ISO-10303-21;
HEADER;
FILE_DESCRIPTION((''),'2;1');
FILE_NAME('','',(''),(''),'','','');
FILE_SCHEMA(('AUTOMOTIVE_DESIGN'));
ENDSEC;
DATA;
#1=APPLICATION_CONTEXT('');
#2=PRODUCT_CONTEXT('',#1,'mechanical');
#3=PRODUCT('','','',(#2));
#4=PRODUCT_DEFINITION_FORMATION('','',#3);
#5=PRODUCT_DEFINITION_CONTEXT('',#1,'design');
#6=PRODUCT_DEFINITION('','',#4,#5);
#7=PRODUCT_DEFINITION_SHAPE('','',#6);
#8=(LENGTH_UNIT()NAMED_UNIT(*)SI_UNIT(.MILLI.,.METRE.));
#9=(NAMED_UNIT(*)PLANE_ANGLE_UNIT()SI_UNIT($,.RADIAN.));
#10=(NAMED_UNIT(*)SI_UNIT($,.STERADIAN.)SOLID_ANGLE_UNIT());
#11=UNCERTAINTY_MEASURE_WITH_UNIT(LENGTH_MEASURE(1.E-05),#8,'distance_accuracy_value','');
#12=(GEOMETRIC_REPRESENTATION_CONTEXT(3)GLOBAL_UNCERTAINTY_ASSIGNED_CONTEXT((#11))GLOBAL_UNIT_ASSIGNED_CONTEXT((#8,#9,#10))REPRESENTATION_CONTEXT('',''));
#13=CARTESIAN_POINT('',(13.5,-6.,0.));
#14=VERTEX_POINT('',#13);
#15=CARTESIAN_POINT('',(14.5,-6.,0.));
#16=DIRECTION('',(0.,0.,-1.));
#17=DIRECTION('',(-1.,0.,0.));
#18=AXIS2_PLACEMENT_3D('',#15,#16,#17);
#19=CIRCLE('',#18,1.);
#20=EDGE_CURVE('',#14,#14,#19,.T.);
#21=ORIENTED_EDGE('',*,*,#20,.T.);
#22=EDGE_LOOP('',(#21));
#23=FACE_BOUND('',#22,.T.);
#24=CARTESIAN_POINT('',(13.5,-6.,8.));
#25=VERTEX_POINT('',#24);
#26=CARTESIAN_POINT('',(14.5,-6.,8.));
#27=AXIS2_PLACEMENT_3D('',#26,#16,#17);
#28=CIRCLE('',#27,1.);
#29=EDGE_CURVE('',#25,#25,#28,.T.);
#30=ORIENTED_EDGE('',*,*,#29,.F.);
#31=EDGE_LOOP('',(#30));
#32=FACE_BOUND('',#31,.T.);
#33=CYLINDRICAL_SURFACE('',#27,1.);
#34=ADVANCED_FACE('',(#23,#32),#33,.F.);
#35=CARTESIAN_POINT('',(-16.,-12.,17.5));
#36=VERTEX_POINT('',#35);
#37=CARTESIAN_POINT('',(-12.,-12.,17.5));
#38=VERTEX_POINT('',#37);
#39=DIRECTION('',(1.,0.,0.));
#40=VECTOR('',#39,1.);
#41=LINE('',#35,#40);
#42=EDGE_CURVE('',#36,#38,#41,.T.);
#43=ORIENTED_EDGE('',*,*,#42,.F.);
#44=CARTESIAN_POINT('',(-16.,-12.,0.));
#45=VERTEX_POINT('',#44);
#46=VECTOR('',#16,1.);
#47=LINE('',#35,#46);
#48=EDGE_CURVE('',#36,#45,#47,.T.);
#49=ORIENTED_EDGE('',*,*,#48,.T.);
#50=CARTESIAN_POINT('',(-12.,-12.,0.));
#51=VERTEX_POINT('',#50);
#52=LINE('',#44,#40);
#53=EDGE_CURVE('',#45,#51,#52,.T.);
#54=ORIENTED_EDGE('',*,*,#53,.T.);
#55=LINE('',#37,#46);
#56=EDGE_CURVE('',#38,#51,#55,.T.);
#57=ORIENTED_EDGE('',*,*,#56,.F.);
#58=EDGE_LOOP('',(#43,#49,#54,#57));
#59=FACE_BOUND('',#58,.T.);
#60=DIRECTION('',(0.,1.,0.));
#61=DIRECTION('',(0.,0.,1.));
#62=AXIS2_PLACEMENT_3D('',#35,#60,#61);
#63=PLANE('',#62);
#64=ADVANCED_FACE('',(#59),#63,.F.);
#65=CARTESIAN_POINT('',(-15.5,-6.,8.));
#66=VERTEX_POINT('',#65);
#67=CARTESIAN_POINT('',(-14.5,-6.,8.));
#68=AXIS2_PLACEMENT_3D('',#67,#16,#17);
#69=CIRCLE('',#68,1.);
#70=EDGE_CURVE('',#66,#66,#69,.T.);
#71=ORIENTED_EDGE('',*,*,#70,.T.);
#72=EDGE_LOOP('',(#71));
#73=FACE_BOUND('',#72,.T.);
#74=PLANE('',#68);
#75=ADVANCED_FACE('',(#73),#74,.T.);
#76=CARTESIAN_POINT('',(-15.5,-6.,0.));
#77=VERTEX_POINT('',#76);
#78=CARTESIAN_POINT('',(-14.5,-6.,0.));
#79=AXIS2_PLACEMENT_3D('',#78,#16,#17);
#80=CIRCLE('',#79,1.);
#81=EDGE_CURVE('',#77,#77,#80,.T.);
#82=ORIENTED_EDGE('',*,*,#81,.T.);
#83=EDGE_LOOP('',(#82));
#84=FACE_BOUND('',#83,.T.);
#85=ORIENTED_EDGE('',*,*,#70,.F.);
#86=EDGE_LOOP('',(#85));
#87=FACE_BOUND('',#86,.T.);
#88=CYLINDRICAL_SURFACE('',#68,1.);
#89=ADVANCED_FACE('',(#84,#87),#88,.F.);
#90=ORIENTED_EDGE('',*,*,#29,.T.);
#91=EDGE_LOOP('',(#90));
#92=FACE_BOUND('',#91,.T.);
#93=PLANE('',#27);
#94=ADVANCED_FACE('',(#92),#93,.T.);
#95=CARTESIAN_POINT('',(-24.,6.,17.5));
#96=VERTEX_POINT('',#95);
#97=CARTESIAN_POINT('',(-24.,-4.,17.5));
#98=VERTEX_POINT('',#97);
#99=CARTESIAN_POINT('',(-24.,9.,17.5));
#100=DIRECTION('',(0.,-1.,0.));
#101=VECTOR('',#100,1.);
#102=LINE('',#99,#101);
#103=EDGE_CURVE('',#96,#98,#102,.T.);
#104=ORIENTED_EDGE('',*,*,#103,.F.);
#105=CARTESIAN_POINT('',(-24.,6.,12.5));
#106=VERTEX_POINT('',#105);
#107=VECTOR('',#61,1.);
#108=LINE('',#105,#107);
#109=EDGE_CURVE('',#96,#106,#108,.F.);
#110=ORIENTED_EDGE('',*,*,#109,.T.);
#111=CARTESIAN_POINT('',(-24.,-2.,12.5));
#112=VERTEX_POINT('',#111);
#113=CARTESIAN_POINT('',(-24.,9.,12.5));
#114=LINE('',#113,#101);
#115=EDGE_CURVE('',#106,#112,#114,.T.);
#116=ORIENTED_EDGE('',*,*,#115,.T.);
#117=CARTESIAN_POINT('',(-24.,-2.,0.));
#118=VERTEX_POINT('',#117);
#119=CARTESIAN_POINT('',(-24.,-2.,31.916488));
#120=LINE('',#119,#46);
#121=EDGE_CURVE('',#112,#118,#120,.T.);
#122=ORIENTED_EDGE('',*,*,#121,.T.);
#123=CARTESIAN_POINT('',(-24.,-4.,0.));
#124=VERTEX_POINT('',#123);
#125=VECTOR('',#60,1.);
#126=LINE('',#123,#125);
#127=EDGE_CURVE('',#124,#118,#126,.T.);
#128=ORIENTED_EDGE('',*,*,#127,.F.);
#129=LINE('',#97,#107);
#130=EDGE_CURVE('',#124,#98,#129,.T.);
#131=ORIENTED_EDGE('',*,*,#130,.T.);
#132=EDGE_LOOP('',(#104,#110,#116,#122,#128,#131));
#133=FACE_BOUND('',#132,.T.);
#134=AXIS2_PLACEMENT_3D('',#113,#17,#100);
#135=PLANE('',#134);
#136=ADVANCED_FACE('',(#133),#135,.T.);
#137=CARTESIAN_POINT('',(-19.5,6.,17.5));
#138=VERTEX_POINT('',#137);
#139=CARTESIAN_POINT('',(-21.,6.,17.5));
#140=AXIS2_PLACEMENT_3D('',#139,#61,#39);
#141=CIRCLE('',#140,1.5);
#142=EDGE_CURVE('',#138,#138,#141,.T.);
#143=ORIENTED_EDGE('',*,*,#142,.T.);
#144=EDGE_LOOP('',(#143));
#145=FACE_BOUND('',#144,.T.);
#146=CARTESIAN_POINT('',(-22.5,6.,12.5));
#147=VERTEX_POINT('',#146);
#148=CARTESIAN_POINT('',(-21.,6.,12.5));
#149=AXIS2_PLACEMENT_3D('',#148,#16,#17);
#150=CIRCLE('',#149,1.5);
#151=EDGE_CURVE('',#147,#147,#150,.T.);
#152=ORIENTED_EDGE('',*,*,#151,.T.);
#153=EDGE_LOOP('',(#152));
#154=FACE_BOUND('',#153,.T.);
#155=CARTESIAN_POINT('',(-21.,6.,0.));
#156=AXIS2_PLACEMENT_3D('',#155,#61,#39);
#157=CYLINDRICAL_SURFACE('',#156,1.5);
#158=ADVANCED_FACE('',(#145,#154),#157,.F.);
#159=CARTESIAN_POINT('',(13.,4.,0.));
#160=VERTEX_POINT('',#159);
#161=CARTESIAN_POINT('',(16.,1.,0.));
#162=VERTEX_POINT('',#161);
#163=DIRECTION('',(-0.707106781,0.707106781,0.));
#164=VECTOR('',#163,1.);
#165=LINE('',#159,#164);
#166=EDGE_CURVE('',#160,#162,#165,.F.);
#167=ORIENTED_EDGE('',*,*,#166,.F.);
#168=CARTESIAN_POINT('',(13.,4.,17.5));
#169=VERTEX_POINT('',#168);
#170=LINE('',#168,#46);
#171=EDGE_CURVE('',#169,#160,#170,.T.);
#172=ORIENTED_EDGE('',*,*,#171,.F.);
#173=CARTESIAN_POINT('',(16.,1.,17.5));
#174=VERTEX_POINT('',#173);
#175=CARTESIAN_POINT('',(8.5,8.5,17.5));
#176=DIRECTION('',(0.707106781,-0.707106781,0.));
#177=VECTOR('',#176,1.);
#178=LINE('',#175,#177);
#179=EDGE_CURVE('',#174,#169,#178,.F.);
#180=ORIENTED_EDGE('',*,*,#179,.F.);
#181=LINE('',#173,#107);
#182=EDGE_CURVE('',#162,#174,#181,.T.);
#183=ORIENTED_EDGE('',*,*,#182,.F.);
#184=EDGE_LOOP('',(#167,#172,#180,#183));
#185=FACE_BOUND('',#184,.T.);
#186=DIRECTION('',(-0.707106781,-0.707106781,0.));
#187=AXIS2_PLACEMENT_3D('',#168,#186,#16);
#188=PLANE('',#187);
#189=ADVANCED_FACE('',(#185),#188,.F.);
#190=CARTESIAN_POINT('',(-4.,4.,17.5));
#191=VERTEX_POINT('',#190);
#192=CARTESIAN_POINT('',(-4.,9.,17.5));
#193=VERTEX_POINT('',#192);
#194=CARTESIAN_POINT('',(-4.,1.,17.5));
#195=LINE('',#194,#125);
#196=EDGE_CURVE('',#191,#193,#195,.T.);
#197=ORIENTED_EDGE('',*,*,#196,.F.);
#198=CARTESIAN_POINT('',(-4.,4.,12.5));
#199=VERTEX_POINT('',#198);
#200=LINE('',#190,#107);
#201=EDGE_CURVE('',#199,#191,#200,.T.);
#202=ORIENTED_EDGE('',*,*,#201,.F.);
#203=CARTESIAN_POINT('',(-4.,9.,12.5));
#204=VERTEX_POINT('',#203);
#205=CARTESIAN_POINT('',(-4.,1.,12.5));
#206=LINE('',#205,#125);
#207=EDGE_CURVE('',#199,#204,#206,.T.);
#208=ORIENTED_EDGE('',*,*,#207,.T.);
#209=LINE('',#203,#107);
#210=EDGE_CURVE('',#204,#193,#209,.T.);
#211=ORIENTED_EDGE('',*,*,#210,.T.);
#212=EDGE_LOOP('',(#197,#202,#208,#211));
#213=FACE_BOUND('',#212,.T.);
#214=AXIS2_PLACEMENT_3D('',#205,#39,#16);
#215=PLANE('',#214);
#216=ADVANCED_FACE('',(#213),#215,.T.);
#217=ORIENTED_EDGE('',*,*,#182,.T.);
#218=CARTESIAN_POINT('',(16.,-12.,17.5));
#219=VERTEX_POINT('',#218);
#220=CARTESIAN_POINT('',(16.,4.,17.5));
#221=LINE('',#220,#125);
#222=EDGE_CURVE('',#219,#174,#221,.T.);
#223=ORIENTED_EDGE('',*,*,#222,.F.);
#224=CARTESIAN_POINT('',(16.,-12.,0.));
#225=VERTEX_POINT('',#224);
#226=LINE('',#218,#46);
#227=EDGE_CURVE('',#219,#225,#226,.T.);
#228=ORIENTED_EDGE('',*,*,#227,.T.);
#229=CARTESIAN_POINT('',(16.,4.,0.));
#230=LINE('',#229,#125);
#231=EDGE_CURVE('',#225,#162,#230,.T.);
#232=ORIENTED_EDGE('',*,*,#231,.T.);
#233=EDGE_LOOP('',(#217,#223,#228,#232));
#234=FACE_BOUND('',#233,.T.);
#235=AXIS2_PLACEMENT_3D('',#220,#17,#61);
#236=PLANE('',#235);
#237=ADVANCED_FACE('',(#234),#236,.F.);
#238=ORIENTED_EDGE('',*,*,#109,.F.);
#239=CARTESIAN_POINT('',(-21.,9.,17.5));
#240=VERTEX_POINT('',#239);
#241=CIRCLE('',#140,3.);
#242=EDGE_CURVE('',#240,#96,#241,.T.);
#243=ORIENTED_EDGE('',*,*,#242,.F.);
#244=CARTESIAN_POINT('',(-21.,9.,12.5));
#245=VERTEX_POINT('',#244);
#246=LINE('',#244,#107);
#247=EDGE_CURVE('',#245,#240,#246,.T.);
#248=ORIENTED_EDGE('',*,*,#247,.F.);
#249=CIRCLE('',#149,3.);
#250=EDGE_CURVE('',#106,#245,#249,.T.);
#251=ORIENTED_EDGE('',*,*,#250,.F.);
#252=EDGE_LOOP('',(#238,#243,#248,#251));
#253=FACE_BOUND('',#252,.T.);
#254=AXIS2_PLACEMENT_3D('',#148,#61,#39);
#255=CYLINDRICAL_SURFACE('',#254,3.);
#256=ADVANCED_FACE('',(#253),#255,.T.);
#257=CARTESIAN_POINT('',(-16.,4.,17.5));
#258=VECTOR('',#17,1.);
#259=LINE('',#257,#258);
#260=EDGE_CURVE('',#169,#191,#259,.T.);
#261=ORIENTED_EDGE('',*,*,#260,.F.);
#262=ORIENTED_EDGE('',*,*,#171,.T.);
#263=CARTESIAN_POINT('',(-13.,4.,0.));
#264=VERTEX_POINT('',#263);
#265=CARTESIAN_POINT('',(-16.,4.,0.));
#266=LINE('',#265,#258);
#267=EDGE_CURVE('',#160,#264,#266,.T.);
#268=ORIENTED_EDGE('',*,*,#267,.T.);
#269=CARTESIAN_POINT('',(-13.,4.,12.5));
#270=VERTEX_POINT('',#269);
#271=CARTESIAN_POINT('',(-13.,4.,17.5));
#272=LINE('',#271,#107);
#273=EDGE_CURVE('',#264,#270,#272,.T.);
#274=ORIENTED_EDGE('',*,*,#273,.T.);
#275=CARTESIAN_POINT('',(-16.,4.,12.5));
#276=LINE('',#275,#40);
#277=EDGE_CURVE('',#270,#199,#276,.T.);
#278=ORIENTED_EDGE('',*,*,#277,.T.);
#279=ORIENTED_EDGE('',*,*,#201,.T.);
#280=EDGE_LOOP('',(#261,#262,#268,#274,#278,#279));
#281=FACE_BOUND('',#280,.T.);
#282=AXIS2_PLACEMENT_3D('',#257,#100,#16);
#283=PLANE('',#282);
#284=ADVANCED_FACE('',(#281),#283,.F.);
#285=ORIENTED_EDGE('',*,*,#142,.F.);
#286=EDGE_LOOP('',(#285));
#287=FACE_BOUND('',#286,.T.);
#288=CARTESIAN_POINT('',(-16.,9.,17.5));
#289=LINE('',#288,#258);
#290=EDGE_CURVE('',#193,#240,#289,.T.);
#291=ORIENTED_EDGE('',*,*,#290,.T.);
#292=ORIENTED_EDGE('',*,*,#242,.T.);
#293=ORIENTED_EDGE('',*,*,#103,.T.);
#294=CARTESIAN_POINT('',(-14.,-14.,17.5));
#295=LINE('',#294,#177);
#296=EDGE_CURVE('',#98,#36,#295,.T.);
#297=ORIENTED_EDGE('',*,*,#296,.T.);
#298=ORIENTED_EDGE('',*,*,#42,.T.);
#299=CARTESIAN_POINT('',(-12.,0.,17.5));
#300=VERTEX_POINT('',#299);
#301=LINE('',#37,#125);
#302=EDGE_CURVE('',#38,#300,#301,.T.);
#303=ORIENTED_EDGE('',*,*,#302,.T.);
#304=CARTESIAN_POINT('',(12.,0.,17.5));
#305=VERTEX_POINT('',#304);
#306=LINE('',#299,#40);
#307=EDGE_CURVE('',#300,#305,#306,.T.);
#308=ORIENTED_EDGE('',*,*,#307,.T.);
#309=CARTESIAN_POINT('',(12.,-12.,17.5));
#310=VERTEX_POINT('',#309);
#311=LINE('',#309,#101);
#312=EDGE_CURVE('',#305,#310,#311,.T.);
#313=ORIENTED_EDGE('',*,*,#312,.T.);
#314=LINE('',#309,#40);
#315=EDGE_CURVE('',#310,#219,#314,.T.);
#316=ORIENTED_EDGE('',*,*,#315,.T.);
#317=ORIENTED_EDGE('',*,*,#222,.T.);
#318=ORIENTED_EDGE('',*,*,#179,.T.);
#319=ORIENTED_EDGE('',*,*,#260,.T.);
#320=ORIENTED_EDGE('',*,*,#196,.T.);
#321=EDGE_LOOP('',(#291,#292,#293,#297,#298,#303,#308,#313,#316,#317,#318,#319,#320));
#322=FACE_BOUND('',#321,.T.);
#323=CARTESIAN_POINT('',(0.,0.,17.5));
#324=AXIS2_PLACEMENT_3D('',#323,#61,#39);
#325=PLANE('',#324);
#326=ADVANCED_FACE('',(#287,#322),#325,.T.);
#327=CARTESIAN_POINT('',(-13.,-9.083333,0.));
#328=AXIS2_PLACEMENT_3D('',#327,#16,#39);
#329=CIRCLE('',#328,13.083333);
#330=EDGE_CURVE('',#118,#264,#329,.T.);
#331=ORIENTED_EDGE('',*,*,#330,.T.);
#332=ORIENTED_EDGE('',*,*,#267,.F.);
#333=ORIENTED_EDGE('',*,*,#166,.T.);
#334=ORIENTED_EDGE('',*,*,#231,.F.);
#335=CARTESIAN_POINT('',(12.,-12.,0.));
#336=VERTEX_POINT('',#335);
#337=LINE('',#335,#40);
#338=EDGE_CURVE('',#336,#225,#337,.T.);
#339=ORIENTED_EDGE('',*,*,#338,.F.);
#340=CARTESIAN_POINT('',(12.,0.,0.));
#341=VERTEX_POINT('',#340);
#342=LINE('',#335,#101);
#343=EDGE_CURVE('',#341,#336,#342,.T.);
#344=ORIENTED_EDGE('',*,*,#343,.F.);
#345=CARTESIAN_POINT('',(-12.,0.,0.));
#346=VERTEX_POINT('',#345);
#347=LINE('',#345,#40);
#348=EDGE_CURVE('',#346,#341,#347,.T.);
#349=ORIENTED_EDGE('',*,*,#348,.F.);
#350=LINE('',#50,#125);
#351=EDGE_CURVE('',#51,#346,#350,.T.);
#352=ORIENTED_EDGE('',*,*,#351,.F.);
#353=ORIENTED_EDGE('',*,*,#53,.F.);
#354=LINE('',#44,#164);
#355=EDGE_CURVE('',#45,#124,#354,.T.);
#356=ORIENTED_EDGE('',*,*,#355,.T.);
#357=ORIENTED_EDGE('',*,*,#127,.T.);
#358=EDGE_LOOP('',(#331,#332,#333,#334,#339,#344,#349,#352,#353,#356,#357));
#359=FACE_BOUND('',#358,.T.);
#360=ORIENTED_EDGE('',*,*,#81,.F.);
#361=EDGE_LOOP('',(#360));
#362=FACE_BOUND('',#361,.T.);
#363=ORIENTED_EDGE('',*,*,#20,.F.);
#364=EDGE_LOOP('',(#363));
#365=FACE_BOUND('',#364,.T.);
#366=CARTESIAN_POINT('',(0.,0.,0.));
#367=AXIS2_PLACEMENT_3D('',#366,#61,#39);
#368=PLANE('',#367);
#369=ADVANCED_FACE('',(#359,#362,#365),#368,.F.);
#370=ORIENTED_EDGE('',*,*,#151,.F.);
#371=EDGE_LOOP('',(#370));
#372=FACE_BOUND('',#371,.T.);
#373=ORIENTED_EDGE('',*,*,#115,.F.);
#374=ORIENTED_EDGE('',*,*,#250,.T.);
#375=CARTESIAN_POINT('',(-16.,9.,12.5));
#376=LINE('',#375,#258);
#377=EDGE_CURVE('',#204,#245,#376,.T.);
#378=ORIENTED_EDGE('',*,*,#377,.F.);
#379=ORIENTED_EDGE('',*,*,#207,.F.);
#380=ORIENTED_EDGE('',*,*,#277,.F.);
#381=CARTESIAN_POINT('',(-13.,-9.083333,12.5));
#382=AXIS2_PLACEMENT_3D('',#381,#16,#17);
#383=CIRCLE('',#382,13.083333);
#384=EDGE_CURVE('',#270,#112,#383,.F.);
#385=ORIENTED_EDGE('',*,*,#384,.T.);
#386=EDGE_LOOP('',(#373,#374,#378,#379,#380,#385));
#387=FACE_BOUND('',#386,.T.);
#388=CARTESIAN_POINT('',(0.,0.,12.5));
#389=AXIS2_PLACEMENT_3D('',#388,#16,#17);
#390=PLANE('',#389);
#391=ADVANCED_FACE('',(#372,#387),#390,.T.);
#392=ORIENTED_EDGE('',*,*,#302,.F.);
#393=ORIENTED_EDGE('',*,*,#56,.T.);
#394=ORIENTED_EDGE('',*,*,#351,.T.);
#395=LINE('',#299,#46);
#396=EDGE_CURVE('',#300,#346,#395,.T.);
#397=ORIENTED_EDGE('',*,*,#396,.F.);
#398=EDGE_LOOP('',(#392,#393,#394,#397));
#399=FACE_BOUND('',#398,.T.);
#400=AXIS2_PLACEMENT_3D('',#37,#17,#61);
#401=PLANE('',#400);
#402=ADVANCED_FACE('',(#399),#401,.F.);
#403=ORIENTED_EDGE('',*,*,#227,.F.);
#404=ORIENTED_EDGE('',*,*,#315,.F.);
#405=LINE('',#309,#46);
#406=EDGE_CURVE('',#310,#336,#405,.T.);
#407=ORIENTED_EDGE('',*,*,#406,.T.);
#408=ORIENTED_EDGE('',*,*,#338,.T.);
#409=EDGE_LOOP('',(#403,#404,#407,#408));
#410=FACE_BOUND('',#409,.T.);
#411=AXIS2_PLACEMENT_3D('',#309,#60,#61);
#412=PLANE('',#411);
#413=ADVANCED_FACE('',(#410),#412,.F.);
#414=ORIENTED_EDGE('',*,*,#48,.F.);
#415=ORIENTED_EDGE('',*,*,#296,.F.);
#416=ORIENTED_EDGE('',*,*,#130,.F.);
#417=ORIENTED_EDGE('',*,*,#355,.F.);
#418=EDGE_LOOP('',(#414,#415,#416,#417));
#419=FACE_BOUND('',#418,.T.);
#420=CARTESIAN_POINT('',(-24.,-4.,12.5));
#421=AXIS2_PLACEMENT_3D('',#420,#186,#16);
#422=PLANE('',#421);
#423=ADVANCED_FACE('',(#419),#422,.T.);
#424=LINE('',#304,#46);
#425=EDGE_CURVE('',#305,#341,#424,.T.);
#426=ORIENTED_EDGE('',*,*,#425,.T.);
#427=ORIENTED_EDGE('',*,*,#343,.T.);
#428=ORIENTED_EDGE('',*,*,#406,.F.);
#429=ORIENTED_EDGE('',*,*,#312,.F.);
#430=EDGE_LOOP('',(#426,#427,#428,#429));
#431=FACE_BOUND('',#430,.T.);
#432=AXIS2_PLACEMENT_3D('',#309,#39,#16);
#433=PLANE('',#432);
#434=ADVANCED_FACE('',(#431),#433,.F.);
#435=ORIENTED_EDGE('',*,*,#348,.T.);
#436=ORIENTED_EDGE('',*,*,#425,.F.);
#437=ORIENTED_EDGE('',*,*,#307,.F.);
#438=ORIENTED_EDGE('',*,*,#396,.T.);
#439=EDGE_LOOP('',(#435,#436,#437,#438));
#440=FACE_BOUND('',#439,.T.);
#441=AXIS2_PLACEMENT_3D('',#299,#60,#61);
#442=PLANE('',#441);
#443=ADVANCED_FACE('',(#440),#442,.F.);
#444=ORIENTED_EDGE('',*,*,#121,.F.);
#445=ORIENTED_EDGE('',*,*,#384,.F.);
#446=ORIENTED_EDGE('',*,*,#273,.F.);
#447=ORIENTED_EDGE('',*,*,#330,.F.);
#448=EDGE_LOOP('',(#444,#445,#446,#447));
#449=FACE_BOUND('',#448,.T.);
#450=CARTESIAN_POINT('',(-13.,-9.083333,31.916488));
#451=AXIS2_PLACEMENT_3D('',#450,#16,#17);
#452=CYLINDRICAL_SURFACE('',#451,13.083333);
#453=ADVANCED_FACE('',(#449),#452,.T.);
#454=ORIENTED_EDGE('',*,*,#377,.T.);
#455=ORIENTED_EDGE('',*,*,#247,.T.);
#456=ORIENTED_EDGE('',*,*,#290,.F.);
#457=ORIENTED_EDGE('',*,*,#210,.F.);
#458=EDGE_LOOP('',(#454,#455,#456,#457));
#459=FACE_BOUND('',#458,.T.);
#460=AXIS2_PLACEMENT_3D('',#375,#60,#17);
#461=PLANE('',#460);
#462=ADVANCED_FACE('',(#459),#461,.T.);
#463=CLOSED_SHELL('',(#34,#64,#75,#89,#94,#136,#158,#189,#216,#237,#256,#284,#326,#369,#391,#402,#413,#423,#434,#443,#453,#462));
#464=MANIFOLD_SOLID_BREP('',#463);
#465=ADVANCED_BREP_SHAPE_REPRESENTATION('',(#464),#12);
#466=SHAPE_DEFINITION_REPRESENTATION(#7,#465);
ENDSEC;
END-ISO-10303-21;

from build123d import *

# Parameters (mm, degrees)
BOSS_EXTRUDE1_DEPTH = 17.5
CHAMFER1_SIZE       = 3
BOSS_EXTRUDE2_DEPTH = 5
CHAMFER2_SIZE       = 8
SKETCH3_R           = 1.5
CUT_EXTRUDE1_DEPTH  = 33.035136959
FILLET1_R           = 3
SKETCH4_R           = 1
CUT_EXTRUDE2_DEPTH  = 8
BOSS_EXTRUDE3_DEPTH = 12.5


with BuildPart() as part:
    # Sketch1 → Boss-Extrude1 (new body)
    with BuildSketch(Plane.XY):
        Polygon((12, -12), (16, -12), (16, 4), (-16, 4), (-16, -12), (-12, -12), (-12, 0), (12, 0), align=None)
    extrude(amount=BOSS_EXTRUDE1_DEPTH)

    # Chamfer1
    chamfer1_edges = [part.edges().sort_by_distance(p)[0] for p in [
        (-16, 4, 8.75),
        (16, 4, 8.75),
    ]]
    chamfer(chamfer1_edges, length=CHAMFER1_SIZE)

    # Sketch2 → Boss-Extrude2 (add)
    with BuildSketch(Plane.XY.offset(17.5)):
        Polygon((-16, 1), (-4, 1), (-4, 9), (-16, 9), (-24, 9), (-24, -12), (-16, -12), align=None)
    extrude(amount=-BOSS_EXTRUDE2_DEPTH)

    # Chamfer2
    chamfer2_edges = [part.edges().sort_by_distance(p)[0] for p in [
        (-24, -12, 15),
    ]]
    chamfer(chamfer2_edges, length=CHAMFER2_SIZE)

    # Sketch3 → Cut-Extrude1 (cut, through all)
    with BuildSketch(Plane.XY.offset(17.5)):
        with Locations((-21, 6)):
            Circle(SKETCH3_R)
    extrude(amount=-CUT_EXTRUDE1_DEPTH, mode=Mode.SUBTRACT)

    # Fillet1
    fillet1_edges = [part.edges().sort_by_distance(p)[0] for p in [
        (-24, 9, 15),
    ]]
    fillet(fillet1_edges, radius=FILLET1_R)

    # Sketch4 → Cut-Extrude2 (cut)
    with BuildSketch(Plane(origin=(0, 0, 0), x_dir=(-1, 0, 0), z_dir=(0, 0, -1))):
        with Locations((-14.5, -6)):
            Circle(SKETCH4_R)
        with Locations((14.5, -6)):
            Circle(SKETCH4_R)
    extrude(amount=-CUT_EXTRUDE2_DEPTH, mode=Mode.SUBTRACT)

    # Sketch5 → Boss-Extrude3 (add)
    with BuildSketch(Plane(origin=(0, 0, 0), x_dir=(-1, 0, 0), z_dir=(0, 0, -1))):
        with BuildLine():
            Line((13, 4), (16, 1))
            Line((16, 1), (16, -12))
            Line((16, -12), (24, -4))
            Line((24, -4), (24, -2))
            ThreePointArc((24, -2), (19.264982043, 2.402467079), (13, 4))
        make_face()
    extrude(amount=-BOSS_EXTRUDE3_DEPTH)


solid = part.part
